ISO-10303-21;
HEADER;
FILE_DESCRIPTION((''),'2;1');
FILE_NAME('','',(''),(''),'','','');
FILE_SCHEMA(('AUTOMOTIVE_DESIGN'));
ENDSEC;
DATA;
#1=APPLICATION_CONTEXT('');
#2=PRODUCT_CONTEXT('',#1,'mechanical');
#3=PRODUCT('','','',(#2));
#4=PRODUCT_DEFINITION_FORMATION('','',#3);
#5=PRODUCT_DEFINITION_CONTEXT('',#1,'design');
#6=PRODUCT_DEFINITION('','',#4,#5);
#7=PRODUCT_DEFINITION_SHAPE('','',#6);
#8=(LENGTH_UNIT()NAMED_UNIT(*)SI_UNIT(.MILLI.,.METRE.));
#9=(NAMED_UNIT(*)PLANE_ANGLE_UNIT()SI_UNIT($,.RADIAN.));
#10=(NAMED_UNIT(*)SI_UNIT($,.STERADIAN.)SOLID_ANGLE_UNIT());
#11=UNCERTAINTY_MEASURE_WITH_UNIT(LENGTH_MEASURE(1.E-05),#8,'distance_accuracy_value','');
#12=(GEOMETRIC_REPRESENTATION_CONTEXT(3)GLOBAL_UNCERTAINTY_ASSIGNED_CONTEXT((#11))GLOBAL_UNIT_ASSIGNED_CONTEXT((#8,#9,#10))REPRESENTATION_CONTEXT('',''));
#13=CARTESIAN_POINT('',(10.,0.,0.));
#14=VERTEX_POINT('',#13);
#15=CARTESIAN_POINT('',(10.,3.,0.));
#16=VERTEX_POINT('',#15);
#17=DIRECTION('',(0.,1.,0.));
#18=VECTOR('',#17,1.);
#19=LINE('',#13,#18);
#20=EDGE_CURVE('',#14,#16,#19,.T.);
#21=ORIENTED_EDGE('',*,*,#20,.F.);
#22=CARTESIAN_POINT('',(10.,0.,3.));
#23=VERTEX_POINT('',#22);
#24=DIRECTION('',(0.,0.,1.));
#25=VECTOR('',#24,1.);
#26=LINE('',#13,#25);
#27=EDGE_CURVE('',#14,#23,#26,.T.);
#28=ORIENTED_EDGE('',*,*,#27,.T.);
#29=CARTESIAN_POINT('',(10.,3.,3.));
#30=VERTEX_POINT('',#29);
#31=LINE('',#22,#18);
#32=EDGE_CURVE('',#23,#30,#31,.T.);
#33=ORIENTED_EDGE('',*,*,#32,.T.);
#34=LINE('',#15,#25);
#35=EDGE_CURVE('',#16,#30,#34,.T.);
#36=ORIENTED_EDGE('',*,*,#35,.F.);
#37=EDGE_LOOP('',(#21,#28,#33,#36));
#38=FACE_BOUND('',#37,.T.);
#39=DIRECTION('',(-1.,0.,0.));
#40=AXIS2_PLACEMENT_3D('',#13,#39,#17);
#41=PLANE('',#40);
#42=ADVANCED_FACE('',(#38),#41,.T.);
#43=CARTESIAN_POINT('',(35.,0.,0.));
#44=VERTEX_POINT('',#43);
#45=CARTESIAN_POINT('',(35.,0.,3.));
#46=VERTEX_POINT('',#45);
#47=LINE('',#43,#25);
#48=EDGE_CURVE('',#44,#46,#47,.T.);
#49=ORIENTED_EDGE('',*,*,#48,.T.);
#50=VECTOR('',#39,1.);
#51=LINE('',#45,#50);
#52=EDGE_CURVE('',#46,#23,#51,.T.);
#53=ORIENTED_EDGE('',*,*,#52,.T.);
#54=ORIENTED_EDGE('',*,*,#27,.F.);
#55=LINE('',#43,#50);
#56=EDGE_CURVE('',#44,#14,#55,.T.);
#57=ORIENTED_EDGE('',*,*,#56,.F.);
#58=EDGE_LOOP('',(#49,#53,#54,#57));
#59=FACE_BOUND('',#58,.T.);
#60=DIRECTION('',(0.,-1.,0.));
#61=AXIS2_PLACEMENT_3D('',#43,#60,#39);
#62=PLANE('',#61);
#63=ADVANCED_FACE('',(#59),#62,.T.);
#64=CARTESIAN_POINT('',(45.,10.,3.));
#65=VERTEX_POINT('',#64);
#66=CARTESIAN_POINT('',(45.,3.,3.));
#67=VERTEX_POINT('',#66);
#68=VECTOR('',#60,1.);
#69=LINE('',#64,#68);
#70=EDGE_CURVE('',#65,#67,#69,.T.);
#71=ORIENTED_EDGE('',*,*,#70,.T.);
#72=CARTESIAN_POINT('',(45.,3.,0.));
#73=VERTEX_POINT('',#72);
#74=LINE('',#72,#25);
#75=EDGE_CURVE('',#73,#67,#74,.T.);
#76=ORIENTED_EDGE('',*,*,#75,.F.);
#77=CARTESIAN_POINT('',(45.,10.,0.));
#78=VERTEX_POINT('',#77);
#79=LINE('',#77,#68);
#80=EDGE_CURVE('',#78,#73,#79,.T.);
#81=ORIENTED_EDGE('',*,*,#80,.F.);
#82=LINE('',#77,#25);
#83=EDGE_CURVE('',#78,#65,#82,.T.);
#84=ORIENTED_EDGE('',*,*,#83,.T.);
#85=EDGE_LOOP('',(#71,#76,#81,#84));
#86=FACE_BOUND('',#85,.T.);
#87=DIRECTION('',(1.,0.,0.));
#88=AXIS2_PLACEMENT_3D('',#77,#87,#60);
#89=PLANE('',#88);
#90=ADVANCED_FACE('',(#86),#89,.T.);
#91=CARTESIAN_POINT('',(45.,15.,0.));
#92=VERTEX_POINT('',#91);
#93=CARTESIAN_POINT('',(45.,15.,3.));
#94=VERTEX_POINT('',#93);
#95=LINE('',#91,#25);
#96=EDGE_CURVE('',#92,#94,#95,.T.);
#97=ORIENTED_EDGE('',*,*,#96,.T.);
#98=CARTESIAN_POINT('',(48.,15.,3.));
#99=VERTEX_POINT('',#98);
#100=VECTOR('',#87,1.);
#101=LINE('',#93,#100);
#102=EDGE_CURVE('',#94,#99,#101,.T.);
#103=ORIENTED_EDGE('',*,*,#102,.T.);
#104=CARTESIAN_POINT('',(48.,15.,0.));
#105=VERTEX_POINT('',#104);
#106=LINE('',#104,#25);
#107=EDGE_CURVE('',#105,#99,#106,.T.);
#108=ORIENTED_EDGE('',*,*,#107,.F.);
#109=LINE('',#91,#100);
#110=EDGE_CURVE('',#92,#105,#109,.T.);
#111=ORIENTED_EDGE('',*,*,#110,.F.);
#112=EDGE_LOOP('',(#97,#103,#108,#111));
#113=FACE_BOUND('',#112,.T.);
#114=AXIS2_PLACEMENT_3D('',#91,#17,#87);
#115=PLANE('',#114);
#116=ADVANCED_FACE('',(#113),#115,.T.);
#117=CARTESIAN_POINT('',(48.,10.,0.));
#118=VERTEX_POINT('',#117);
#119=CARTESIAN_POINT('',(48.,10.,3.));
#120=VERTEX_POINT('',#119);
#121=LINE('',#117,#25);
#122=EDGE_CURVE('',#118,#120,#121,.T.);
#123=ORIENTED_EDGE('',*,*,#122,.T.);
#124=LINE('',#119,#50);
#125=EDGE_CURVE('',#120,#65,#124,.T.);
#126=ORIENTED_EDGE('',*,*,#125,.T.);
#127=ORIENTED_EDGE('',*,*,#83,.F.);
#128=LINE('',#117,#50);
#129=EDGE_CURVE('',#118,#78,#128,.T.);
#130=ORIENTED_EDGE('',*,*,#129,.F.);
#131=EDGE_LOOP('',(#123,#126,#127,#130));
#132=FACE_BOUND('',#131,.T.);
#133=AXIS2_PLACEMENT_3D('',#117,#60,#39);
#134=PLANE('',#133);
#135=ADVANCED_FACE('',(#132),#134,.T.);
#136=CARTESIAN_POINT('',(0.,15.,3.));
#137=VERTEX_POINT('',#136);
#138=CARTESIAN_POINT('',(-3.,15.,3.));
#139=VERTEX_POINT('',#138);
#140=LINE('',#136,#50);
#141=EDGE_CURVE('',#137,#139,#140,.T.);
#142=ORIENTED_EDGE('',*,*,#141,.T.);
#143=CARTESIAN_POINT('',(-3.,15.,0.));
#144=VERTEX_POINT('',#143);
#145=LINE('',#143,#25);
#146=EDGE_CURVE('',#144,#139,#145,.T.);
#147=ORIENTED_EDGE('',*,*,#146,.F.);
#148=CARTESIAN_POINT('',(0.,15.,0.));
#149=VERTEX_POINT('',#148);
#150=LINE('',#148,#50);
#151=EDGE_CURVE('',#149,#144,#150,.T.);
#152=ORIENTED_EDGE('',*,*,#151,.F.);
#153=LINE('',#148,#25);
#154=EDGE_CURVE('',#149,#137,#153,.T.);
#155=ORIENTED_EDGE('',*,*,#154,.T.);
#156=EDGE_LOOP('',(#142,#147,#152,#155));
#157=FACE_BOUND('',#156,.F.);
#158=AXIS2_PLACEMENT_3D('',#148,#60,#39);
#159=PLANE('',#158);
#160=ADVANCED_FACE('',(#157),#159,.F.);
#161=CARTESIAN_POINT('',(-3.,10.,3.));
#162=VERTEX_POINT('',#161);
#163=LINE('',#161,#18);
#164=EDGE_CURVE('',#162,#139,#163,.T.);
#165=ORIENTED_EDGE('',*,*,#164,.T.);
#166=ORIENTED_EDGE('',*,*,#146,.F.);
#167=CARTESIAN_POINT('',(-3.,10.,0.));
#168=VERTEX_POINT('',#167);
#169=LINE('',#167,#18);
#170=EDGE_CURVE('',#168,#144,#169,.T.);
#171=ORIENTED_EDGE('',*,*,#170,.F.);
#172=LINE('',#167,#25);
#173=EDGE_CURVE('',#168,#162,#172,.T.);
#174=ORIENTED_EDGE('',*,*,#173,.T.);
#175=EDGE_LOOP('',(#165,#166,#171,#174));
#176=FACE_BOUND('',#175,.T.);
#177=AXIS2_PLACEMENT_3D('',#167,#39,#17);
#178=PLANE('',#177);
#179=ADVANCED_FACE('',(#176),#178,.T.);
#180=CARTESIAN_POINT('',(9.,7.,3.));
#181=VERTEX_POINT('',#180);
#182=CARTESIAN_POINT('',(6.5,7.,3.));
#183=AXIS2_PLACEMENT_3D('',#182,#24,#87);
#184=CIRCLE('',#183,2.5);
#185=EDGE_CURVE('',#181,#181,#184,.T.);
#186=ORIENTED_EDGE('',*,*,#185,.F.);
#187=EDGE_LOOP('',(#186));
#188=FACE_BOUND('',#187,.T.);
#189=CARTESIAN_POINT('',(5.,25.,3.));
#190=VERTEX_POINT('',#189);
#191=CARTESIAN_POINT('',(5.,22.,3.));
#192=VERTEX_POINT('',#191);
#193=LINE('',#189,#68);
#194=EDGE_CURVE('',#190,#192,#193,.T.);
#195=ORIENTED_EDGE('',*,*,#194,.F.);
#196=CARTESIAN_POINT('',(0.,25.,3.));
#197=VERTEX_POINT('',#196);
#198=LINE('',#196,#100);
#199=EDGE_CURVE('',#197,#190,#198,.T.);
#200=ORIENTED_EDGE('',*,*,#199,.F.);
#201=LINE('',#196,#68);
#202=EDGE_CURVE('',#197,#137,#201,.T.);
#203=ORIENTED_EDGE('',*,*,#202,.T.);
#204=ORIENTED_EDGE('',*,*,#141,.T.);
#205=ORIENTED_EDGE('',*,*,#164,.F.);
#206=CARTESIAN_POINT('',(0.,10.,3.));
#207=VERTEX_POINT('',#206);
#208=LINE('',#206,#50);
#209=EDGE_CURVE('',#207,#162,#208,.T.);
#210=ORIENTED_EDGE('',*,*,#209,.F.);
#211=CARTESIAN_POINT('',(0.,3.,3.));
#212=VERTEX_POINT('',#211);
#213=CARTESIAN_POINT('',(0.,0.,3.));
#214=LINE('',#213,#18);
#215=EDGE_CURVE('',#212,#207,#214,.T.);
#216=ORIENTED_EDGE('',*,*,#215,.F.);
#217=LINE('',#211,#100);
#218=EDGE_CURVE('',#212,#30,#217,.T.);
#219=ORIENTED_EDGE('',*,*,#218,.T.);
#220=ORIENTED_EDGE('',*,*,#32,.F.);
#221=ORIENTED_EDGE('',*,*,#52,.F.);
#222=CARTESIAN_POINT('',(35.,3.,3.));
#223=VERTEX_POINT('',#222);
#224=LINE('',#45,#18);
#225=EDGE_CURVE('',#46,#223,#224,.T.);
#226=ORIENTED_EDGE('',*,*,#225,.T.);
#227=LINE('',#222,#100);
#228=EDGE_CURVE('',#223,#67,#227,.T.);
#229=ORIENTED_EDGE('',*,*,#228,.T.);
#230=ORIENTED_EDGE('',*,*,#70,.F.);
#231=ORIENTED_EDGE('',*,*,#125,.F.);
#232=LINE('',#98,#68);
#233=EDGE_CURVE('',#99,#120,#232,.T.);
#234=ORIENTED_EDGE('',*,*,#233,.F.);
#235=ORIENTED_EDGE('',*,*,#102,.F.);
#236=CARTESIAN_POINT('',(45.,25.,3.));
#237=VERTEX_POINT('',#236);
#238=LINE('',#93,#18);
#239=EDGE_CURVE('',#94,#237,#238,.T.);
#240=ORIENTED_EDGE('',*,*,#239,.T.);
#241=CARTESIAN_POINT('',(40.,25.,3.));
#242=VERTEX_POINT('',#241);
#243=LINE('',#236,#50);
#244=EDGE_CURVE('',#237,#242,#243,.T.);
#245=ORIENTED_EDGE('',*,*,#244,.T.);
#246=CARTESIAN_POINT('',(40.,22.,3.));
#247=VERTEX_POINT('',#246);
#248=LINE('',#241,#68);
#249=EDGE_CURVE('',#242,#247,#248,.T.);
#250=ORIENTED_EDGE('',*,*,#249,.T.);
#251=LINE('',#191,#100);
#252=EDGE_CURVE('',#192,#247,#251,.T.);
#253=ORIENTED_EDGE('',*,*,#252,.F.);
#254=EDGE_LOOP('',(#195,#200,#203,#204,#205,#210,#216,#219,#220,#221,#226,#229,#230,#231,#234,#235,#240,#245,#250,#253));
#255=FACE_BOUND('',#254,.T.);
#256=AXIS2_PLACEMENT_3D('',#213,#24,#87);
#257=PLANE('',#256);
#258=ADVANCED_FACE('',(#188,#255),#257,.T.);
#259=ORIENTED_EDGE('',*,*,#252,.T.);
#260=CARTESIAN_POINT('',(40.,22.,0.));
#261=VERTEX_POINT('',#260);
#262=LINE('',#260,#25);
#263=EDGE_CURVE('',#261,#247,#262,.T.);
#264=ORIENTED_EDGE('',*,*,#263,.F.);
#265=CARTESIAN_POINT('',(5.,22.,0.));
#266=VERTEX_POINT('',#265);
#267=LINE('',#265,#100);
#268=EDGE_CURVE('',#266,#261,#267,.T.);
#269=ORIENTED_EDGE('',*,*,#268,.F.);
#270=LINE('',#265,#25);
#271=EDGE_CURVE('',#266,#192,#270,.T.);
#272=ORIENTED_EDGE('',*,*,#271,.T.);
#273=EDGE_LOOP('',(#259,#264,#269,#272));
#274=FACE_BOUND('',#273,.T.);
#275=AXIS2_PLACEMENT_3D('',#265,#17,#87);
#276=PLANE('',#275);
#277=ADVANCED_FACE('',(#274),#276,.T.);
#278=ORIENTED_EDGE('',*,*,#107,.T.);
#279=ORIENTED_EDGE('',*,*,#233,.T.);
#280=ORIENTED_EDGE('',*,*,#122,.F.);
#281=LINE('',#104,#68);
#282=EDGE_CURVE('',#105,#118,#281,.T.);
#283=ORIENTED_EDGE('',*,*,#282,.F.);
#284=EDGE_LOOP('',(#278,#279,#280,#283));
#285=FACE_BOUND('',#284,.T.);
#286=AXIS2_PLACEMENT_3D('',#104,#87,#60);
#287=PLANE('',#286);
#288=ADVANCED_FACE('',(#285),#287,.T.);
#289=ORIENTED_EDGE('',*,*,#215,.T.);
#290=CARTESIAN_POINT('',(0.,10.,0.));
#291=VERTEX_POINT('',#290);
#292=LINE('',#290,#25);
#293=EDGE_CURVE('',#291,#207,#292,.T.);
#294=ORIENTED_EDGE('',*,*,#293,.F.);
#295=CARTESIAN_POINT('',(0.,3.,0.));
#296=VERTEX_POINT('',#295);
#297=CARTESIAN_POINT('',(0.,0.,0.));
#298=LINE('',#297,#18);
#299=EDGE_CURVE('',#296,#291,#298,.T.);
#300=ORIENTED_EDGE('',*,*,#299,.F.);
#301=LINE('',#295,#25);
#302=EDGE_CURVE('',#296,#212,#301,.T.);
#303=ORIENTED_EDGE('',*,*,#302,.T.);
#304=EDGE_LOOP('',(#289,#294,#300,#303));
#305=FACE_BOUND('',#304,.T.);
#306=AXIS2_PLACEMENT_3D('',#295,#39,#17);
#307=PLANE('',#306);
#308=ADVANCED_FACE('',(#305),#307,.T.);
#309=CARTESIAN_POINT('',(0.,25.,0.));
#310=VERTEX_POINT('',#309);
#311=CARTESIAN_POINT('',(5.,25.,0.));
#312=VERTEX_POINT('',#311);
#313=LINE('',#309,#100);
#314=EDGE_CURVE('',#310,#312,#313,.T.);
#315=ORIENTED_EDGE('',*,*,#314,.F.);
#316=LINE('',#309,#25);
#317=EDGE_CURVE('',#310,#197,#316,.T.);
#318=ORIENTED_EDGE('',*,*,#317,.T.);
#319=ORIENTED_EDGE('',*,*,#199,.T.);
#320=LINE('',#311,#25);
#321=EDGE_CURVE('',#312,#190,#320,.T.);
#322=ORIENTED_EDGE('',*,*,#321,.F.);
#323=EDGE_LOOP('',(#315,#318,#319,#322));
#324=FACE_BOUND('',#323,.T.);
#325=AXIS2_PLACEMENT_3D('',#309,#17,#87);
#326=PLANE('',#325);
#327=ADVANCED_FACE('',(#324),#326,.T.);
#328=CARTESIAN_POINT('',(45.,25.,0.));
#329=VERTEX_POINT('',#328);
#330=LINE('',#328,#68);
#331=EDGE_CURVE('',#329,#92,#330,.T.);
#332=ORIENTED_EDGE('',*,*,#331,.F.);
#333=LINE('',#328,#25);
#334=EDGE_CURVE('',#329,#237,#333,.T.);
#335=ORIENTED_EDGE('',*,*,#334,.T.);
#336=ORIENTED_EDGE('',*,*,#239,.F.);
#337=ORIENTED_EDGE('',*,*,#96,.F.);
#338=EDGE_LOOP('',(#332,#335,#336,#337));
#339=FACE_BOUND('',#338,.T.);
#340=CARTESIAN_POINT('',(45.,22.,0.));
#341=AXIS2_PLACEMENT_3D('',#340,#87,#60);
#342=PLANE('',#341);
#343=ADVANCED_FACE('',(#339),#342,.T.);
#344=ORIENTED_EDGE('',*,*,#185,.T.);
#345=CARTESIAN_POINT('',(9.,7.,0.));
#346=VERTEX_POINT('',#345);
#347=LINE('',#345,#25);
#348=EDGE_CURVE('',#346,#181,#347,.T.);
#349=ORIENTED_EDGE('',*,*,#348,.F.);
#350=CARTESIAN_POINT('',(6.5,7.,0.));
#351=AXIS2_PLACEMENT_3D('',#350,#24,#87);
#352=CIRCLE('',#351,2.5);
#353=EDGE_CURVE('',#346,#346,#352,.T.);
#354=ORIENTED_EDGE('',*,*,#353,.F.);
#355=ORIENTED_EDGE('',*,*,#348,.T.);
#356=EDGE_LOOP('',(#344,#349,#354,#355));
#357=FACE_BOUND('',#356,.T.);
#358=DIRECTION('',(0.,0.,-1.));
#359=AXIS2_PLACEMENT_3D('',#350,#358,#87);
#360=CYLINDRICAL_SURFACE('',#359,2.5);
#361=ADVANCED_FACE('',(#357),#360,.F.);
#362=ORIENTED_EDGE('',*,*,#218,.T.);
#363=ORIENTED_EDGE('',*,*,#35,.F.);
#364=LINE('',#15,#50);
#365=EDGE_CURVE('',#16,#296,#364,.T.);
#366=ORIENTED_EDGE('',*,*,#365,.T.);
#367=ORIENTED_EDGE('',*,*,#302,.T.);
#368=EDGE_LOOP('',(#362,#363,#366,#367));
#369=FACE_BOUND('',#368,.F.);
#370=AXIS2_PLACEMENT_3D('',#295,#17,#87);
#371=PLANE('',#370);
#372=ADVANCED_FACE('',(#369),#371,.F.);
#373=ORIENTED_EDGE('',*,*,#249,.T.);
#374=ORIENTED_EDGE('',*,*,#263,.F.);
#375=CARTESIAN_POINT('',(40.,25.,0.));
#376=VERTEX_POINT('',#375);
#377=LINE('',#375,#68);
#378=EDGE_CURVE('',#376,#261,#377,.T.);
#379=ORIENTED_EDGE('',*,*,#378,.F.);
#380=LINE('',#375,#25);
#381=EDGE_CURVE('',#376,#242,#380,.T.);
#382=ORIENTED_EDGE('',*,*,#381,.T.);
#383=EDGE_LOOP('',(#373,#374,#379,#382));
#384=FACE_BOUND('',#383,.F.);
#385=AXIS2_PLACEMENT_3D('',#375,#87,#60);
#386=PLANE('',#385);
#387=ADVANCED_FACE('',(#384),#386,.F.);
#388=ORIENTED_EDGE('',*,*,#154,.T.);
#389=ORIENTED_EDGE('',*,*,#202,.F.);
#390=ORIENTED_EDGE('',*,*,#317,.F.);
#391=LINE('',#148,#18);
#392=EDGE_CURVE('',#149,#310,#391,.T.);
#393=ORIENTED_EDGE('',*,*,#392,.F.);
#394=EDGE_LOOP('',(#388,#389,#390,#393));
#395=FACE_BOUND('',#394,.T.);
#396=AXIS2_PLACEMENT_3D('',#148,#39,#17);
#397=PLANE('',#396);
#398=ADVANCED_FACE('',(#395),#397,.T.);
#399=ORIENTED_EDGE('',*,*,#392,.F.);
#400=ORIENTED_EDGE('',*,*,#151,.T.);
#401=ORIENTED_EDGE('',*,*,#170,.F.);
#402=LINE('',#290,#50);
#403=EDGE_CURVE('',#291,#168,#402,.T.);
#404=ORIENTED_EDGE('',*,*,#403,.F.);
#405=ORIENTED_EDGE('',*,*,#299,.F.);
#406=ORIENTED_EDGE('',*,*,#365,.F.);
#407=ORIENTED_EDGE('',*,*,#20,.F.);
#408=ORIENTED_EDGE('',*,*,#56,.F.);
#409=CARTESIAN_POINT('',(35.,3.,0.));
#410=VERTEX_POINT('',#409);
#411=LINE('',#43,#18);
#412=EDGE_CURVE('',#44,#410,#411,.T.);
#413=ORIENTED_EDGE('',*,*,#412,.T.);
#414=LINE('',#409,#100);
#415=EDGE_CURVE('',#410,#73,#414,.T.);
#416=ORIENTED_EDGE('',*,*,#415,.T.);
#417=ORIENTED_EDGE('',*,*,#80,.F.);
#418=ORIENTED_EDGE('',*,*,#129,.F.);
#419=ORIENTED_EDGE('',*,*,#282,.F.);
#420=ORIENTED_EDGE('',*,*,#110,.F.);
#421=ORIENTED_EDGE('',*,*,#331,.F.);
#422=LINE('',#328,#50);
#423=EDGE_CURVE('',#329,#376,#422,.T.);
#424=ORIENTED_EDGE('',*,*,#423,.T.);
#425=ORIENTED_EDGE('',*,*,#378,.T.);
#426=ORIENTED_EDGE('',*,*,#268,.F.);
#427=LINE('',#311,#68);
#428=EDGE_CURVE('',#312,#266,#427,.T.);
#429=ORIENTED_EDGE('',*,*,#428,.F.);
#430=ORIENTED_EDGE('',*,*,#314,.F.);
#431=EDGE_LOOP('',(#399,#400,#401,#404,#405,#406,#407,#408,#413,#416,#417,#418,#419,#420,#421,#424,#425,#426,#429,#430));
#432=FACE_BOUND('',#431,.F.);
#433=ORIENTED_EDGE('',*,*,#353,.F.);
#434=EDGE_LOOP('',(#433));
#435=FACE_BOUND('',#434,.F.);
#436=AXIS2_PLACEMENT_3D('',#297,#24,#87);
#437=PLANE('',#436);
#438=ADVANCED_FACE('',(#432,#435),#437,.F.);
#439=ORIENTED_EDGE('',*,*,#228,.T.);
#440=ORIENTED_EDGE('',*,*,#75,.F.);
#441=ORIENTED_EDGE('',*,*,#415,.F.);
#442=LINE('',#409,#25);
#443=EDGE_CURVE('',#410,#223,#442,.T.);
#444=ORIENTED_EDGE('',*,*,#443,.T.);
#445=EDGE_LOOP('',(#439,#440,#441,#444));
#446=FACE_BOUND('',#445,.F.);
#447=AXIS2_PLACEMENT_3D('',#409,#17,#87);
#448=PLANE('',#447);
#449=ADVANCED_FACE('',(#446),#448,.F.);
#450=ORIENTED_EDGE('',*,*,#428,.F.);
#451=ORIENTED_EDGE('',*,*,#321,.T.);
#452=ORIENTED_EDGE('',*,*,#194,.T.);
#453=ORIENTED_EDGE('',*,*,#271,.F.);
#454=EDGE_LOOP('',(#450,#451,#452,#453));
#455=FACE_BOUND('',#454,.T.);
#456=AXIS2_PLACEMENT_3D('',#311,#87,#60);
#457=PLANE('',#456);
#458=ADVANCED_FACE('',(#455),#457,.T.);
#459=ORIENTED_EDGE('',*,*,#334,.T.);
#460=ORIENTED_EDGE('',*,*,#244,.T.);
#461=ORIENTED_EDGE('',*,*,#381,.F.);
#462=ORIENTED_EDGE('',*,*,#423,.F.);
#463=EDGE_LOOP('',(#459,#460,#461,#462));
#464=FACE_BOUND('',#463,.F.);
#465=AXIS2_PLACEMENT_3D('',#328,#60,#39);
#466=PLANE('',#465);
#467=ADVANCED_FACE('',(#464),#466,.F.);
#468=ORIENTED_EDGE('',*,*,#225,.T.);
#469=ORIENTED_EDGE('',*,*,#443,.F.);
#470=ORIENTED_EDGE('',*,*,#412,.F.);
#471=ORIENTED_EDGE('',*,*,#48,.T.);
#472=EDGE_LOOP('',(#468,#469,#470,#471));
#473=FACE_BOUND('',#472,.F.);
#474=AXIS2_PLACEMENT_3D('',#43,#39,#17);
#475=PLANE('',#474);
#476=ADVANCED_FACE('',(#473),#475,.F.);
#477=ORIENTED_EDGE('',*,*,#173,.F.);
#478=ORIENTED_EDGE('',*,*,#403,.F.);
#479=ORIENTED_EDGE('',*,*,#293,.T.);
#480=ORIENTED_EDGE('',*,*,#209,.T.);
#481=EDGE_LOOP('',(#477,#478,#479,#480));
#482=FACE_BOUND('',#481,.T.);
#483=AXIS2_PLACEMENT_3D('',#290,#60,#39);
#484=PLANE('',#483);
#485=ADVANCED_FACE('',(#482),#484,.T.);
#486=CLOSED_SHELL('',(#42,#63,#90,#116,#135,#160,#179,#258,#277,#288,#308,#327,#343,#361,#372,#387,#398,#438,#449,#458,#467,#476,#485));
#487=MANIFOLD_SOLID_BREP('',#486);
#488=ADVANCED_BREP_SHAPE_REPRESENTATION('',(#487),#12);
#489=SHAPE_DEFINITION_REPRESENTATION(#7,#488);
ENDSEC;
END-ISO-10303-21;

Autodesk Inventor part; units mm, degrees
ref_plane "YZ Plane" through (0, 0, 0) normal (1, 0, 0) x (0, 1, 0)
ref_plane "XZ Plane" through (0, 0, 0) normal (0, 1, 0) x (-1, 0, 0)
ref_plane "XY Plane" through (0, 0, 0) normal (0, 0, 1) x (1, 0, 0)
sketch "Sketch1" plane through (0, 0, 0) normal (0, 0, 1) x (1, 0, 0)
  line L0 (10, 3) -> (35, 3) projected
  line L1 (10, 0) -> (10, 3) projected
  line L2 (35, 0) -> (10, 0) projected
  line L3 (35, 0) -> (35, 3) projected
  line L4 (0, 3) -> (10, 3) projected
  line L5 (-3, 10) -> (-3, 15) projected
  line L6 (0, 15) -> (-3, 15) projected
  line L7 (0, 15) -> (0, 25) projected
  line L8 (35, 3) -> (45, 3) projected
  line L9 (45, 10) -> (45, 0) projected
  line L10 (48, 10) -> (45, 10) projected
  line L11 (48, 15) -> (48, 10) projected
  line L12 (45, 15) -> (48, 15) projected
  line L13 (45, 25) -> (45, 15) projected
  line L14 (0, 25) -> (5, 25)
  line L15 (5, 25) -> (5, 22)
  line L16 (5, 22) -> (0, 22)
  line L17 (0, 22) -> (0, 25)
  line L18 (45, 25) -> (40, 25)
  line L19 (40, 25) -> (40, 22)
  line L20 (40, 22) -> (45, 22)
  line L21 (45, 22) -> (45, 25)
  line L22 (5, 22) -> (40, 22)
  circle A0 centre (6.5, 7) radius 4 projected
  circle A1 centre (6.5, 7) radius 2.5
  line L23 (0, 10) -> (-3, 10) projected
  line L24 (0, 0) -> (0, 10) projected
  dimension "d0" = 5
  dimension "d1" = 3
  dimension "d2" = 5
  dimension "d3" = 3
  dimension "d4" = 5
extrude "Extrusion1" add sketch "Sketch1" along normal blind 3 contours A0 | L4 L24 L23 L5 L6 L7 L16 L22 L20 L13 L12 L11 L10 L9 L8 L0 | L0 L3 L2 L1 | L20 L19 L18 L13 | L7 L14 L15 L16
properties part number "SideTopNM" material "Acrylic, Clear"
